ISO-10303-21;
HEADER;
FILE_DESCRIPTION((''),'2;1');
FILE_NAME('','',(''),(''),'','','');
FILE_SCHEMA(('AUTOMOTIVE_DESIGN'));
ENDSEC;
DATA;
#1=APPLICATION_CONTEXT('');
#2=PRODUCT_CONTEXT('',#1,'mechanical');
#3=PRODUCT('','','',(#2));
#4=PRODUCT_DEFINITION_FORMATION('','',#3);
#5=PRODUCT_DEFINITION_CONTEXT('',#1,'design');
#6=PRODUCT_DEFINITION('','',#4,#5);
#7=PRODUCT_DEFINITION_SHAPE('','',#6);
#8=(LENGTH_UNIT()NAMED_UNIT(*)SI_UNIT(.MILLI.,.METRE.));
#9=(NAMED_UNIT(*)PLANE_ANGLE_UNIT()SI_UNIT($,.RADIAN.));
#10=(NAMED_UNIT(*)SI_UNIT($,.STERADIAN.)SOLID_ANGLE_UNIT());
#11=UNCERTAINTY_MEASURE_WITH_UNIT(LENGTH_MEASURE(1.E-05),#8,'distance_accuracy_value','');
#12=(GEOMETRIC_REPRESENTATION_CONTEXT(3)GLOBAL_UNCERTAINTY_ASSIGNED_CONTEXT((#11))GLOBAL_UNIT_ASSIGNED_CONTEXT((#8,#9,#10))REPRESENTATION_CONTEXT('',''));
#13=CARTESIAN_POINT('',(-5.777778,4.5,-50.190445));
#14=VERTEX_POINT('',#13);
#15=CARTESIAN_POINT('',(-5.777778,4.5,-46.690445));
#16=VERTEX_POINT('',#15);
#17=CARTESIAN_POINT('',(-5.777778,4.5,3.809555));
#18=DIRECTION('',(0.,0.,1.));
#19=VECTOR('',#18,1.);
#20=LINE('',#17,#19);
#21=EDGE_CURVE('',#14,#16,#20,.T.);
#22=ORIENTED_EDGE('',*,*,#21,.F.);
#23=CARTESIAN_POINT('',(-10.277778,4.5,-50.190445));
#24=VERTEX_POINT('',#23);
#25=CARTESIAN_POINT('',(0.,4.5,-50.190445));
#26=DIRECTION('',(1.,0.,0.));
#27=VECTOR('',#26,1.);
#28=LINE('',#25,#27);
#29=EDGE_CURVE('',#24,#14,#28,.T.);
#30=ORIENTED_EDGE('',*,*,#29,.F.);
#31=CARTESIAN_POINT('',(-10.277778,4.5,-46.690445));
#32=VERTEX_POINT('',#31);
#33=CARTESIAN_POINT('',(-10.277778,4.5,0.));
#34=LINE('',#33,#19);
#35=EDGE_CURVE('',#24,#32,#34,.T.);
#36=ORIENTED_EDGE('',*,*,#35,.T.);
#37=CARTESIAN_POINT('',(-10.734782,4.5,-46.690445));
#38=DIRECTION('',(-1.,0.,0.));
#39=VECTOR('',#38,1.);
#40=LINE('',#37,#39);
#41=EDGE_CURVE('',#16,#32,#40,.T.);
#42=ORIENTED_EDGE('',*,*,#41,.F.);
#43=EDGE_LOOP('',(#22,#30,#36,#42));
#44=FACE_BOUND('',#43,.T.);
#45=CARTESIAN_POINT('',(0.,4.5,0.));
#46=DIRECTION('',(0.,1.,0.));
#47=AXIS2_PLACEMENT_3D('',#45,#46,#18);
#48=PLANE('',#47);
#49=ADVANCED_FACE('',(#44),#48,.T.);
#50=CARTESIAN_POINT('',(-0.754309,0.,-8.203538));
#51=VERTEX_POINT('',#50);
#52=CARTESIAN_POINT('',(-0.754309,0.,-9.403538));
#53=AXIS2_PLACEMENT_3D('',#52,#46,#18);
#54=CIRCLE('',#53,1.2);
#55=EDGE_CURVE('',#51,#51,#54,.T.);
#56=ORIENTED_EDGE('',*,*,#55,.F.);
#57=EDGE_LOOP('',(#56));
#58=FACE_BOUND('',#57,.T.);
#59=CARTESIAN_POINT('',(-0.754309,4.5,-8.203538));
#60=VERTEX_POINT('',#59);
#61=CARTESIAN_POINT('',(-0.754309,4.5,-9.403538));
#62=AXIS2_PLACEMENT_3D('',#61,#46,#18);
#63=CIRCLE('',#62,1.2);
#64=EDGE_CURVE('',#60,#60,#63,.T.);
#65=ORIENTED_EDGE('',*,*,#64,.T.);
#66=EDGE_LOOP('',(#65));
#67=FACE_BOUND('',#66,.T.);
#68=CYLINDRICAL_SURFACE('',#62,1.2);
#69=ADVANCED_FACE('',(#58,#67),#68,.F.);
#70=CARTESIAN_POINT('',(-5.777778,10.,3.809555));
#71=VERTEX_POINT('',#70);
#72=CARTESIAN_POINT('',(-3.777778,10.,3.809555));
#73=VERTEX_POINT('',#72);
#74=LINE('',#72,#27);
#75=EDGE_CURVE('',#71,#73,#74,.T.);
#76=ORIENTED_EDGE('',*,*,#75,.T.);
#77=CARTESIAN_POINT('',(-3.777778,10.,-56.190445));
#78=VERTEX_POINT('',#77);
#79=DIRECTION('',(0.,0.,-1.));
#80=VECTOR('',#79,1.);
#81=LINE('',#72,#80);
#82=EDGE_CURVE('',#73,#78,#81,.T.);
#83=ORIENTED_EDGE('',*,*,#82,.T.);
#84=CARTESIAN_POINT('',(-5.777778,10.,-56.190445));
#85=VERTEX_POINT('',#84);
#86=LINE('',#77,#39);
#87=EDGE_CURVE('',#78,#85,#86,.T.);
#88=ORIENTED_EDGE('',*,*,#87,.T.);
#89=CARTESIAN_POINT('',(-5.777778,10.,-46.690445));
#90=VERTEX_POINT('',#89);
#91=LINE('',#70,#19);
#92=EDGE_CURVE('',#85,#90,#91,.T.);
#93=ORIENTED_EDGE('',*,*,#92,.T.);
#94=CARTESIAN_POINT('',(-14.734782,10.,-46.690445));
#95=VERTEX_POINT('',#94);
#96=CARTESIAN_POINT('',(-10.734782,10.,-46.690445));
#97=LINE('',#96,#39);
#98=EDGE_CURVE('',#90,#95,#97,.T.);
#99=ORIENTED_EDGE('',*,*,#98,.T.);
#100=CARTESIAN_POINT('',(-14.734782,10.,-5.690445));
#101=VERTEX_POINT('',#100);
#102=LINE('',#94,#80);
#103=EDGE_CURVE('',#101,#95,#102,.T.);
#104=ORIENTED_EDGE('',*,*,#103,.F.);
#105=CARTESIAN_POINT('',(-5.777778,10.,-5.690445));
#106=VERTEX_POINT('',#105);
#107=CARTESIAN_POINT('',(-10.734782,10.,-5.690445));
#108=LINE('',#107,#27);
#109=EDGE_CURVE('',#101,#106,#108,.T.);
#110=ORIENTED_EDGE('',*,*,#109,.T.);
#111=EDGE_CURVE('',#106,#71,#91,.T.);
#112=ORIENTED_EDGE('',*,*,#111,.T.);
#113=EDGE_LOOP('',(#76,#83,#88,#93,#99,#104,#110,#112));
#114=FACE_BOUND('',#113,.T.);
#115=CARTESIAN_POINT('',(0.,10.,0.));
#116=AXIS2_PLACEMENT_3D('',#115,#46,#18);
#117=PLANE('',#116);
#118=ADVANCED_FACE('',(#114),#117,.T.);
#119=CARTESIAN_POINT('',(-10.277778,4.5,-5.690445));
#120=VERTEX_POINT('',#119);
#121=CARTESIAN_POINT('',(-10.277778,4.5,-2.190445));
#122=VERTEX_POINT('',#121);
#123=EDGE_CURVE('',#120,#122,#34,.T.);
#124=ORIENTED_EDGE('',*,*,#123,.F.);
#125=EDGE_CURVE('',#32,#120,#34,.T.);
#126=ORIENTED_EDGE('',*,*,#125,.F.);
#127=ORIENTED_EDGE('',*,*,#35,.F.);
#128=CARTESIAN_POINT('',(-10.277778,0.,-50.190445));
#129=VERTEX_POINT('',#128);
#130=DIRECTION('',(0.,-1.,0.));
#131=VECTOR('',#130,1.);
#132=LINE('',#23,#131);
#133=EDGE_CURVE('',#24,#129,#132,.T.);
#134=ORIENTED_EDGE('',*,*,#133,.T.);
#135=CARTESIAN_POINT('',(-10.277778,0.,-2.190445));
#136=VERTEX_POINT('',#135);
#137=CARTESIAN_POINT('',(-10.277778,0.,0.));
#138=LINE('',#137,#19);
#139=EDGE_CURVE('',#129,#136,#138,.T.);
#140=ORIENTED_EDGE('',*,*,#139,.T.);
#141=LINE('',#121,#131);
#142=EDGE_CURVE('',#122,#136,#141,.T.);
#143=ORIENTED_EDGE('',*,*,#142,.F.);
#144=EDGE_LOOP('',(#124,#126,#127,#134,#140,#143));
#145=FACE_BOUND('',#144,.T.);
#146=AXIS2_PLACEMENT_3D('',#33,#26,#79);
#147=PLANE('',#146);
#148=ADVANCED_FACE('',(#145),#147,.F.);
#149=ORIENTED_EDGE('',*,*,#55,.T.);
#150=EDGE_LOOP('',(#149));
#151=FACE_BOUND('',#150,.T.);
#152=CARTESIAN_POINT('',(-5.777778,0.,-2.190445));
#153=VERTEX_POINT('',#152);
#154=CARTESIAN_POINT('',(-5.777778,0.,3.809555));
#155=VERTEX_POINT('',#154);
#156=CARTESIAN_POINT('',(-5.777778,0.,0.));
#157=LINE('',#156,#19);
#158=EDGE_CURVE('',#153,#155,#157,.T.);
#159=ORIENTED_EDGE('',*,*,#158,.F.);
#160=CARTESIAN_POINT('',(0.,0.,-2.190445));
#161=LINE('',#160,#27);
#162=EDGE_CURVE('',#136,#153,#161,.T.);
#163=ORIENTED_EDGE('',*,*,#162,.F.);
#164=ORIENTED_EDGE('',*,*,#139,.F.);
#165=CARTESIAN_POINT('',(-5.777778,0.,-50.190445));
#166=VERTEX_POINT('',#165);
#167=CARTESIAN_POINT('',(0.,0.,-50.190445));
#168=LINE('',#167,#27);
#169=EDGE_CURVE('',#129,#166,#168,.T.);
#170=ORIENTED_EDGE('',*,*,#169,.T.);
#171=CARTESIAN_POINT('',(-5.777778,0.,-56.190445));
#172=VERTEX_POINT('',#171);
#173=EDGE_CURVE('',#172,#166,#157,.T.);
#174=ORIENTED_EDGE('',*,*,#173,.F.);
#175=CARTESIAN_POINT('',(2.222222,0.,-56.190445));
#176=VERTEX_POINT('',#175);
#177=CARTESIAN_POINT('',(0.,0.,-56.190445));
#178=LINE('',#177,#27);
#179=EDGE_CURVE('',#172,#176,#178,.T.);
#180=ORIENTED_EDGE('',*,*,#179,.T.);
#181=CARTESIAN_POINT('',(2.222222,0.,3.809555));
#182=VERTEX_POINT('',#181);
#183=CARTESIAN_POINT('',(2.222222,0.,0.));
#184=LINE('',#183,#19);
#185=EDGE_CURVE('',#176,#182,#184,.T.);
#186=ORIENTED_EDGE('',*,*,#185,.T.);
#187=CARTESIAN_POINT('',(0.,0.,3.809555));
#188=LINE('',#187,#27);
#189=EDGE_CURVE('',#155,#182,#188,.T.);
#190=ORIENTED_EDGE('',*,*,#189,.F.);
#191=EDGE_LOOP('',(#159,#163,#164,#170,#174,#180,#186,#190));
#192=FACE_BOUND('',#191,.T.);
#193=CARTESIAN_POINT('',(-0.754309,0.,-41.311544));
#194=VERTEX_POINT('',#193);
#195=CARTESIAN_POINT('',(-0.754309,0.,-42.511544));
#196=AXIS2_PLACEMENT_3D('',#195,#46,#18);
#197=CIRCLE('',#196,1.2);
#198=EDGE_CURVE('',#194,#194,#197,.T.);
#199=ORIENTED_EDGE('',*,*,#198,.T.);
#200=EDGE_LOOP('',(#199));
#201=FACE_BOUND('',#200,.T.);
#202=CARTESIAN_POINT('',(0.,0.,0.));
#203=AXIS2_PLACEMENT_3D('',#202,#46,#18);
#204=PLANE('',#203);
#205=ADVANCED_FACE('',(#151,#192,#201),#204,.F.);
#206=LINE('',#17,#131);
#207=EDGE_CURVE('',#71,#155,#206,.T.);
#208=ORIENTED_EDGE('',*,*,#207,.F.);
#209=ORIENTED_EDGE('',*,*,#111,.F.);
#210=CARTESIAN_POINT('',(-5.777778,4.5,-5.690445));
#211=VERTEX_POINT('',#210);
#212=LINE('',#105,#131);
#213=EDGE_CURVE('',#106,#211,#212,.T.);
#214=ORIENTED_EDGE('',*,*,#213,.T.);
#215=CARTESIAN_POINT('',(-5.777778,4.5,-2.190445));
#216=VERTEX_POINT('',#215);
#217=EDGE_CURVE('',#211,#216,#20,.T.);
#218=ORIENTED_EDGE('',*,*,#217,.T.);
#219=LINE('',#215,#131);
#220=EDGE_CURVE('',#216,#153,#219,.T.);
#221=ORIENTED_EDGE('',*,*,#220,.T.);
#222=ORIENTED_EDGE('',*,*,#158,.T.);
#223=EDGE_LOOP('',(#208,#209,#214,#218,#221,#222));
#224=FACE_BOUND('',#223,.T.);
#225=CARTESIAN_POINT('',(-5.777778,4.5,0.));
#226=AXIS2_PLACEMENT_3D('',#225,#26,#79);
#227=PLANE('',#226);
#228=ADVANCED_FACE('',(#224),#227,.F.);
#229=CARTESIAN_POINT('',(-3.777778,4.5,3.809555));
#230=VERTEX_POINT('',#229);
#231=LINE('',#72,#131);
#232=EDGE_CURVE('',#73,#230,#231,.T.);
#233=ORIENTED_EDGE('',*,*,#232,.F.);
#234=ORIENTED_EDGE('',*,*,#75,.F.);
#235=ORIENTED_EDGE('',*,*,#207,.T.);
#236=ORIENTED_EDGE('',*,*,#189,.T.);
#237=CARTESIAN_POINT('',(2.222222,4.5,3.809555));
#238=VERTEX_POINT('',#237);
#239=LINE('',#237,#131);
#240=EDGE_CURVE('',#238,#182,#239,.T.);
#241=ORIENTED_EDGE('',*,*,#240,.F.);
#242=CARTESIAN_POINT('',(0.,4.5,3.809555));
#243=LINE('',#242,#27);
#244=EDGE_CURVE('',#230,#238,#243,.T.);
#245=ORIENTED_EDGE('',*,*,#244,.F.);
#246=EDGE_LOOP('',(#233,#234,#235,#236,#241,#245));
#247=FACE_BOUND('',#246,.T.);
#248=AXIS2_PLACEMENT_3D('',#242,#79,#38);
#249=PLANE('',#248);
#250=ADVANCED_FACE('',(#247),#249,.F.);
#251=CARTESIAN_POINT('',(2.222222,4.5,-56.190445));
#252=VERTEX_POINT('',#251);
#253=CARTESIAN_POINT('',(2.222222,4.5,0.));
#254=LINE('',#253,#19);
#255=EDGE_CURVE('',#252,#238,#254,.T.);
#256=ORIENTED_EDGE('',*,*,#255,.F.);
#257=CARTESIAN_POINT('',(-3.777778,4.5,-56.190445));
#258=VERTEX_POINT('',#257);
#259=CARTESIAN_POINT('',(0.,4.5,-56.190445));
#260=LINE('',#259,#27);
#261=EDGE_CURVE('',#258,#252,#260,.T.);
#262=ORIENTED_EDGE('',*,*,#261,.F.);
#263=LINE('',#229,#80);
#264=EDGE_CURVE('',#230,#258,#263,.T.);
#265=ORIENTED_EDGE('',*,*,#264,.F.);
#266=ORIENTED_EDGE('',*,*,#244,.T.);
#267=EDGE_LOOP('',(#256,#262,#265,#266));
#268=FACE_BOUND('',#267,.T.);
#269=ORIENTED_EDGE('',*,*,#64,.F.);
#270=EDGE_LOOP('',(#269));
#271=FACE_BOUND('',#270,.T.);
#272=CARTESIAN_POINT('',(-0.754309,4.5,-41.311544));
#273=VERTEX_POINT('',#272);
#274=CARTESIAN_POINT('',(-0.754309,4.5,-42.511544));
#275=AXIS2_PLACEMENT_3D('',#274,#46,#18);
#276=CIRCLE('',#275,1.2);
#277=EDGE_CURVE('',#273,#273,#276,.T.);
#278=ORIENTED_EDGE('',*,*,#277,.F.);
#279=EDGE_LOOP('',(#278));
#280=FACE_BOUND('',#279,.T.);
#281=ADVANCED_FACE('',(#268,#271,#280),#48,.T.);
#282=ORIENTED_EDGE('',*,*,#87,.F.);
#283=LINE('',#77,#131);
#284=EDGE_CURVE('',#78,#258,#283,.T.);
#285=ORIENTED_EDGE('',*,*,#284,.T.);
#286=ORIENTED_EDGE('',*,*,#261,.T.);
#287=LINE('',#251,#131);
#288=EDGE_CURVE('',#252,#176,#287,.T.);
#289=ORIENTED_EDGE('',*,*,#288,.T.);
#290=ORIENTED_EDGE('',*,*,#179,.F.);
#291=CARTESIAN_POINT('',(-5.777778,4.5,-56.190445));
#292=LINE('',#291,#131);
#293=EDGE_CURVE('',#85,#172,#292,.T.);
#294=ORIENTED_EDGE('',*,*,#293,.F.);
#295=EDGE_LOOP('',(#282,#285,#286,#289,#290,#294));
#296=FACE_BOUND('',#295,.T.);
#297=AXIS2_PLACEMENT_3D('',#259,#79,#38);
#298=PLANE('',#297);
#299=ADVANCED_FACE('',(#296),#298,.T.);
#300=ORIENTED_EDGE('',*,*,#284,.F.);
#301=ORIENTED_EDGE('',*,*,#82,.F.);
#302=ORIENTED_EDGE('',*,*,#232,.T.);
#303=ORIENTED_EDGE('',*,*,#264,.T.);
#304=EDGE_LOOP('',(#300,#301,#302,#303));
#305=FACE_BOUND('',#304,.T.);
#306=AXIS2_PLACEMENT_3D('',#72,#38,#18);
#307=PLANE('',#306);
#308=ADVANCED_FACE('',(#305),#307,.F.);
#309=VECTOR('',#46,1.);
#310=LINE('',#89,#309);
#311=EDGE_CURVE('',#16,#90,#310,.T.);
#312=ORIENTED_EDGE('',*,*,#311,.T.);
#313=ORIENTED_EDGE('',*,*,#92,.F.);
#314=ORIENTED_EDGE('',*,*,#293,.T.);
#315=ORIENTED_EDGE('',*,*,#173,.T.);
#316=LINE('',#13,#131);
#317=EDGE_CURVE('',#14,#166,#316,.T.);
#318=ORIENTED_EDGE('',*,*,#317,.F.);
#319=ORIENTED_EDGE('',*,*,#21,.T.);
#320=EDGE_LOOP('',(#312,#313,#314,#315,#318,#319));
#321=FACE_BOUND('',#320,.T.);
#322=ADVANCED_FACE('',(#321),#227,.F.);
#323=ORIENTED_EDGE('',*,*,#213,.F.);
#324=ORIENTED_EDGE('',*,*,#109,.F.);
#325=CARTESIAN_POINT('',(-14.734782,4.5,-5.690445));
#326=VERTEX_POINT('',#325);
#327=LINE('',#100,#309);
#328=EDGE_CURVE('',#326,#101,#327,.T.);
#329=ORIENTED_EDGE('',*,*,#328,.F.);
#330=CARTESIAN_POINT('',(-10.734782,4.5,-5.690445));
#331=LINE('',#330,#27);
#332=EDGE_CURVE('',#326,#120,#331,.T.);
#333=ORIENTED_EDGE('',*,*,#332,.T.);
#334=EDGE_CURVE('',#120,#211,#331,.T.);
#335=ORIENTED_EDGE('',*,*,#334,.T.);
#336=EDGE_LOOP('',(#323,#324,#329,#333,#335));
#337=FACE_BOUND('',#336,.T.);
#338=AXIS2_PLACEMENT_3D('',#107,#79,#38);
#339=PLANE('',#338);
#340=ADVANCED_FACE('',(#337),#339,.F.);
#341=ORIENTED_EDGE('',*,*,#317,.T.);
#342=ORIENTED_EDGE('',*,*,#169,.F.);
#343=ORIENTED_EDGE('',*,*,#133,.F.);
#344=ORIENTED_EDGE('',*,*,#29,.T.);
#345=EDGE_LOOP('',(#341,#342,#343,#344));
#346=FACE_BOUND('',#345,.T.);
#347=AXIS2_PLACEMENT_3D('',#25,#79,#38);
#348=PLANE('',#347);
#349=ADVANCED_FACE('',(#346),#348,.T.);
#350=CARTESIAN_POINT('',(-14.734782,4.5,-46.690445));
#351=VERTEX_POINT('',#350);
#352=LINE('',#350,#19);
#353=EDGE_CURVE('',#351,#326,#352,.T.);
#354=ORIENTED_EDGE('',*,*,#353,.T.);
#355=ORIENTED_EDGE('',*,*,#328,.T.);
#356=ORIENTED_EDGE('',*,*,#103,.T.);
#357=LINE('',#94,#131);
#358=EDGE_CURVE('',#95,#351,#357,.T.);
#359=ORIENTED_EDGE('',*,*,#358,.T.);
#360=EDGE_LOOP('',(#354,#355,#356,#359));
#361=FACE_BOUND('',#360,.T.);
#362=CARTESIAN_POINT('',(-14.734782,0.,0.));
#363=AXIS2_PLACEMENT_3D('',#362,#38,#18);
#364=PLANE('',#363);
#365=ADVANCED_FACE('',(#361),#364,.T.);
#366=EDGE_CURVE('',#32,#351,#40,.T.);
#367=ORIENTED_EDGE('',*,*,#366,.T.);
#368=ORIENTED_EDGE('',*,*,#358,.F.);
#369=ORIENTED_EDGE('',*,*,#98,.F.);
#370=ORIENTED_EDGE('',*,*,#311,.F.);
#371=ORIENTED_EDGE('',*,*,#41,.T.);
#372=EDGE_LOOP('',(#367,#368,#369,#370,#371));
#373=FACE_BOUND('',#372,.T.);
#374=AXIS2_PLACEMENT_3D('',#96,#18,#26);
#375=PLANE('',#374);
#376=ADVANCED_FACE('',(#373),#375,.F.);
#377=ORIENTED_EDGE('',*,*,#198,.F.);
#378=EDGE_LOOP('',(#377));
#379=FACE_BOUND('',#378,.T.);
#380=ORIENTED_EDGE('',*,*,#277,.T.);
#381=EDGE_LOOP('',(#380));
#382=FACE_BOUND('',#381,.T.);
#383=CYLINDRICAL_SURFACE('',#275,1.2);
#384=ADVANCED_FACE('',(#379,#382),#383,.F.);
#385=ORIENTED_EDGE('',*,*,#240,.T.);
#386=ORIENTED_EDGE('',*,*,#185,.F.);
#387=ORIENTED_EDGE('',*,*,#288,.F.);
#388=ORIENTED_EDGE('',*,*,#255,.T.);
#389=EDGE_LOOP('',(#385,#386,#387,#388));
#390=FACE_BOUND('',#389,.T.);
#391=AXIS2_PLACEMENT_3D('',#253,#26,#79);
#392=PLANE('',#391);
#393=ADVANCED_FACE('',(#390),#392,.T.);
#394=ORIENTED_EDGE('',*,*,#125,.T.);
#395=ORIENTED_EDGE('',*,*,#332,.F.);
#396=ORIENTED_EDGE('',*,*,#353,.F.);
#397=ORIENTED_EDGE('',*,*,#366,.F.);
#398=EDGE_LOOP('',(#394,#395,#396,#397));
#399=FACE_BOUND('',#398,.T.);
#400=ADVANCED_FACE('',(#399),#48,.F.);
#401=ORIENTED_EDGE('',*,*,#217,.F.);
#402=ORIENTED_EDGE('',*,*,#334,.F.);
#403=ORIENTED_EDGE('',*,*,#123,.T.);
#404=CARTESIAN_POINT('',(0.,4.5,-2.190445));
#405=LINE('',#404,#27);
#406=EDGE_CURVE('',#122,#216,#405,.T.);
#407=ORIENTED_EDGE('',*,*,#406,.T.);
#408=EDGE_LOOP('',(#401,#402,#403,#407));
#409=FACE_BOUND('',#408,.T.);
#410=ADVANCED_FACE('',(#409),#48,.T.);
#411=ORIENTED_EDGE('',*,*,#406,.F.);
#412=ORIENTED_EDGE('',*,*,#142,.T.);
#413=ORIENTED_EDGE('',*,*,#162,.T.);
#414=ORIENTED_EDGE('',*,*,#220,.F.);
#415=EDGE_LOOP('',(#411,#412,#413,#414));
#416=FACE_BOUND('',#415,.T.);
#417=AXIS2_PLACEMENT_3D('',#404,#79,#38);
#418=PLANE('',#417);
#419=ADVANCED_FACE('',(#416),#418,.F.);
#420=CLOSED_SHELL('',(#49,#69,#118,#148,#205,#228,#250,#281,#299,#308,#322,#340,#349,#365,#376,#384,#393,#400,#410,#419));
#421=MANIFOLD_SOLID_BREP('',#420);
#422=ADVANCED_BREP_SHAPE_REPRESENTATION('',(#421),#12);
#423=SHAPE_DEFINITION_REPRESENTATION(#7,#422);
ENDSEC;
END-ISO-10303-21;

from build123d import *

# Parameters (mm, degrees)
SKETCH3_W            = 4.5
SKETCH3_H            = 48
SKETCH3_W_2          = 8
SKETCH3_H_2          = 60
BOSS_EXTRUDE2_DEPTH  = 4.5
SKETCH4_W            = 5
SKETCH4_H            = 41
BOSS_EXTRUDE3_DEPTH  = 5.5
SKETCH6_W            = 2
SKETCH6_H            = 60
BOSS_EXTRUDE4_DEPTH  = 5.5
SKETCH7_W            = 41
SKETCH7_H            = 5.5
BOSS_EXTRUDE5_DEPTH  = 4
M2_CLEARANCE_SLOT1_D = 2.4


with BuildPart() as part:
    # Sketch3 → Boss-Extrude2 (new body)
    with BuildSketch(Plane(origin=(0, 0, 0), x_dir=(1, 0, 0), z_dir=(0, 1, 0))):
        with Locations((-8.027777778, 26.190445059)):
            Rectangle(SKETCH3_W, SKETCH3_H)
        with Locations((-1.777777778, 26.190445059)):
            Rectangle(SKETCH3_W_2, SKETCH3_H_2)
    extrude(amount=BOSS_EXTRUDE2_DEPTH)

    # Sketch4 → Boss-Extrude3 (add)
    with BuildSketch(Plane(origin=(0, 4.5, 0), x_dir=(1, 0, 0), z_dir=(0, 1, 0))):
        with Locations((-8.23478156, 26.190445059)):
            Rectangle(SKETCH4_W, SKETCH4_H)
    extrude(amount=BOSS_EXTRUDE3_DEPTH)

    # Sketch6 → Boss-Extrude4 (add)
    with BuildSketch(Plane(origin=(0, 4.5, 0), x_dir=(1, 0, 0), z_dir=(0, 1, 0))):
        with Locations((-4.777777778, 26.190445059)):
            Rectangle(SKETCH6_W, SKETCH6_H)
    extrude(amount=BOSS_EXTRUDE4_DEPTH)

    # Sketch7 → Boss-Extrude5 (add)
    with BuildSketch(Plane.ZY.offset(10.73478156)):
        with Locations((-26.190445059, 7.25)):
            Rectangle(SKETCH7_W, SKETCH7_H)
    extrude(amount=BOSS_EXTRUDE5_DEPTH)

    # M2 Clearance Slot1 (through all)
    with Locations(Plane(origin=(-24.675307519, 4.5, -134.803183417), x_dir=(1, 0, 0), z_dir=(0, 1, 0))):
        with Locations((23.920998694, -125.399645606), (23.920998694, -92.291639463)):
            Hole(M2_CLEARANCE_SLOT1_D / 2)


solid = part.part
